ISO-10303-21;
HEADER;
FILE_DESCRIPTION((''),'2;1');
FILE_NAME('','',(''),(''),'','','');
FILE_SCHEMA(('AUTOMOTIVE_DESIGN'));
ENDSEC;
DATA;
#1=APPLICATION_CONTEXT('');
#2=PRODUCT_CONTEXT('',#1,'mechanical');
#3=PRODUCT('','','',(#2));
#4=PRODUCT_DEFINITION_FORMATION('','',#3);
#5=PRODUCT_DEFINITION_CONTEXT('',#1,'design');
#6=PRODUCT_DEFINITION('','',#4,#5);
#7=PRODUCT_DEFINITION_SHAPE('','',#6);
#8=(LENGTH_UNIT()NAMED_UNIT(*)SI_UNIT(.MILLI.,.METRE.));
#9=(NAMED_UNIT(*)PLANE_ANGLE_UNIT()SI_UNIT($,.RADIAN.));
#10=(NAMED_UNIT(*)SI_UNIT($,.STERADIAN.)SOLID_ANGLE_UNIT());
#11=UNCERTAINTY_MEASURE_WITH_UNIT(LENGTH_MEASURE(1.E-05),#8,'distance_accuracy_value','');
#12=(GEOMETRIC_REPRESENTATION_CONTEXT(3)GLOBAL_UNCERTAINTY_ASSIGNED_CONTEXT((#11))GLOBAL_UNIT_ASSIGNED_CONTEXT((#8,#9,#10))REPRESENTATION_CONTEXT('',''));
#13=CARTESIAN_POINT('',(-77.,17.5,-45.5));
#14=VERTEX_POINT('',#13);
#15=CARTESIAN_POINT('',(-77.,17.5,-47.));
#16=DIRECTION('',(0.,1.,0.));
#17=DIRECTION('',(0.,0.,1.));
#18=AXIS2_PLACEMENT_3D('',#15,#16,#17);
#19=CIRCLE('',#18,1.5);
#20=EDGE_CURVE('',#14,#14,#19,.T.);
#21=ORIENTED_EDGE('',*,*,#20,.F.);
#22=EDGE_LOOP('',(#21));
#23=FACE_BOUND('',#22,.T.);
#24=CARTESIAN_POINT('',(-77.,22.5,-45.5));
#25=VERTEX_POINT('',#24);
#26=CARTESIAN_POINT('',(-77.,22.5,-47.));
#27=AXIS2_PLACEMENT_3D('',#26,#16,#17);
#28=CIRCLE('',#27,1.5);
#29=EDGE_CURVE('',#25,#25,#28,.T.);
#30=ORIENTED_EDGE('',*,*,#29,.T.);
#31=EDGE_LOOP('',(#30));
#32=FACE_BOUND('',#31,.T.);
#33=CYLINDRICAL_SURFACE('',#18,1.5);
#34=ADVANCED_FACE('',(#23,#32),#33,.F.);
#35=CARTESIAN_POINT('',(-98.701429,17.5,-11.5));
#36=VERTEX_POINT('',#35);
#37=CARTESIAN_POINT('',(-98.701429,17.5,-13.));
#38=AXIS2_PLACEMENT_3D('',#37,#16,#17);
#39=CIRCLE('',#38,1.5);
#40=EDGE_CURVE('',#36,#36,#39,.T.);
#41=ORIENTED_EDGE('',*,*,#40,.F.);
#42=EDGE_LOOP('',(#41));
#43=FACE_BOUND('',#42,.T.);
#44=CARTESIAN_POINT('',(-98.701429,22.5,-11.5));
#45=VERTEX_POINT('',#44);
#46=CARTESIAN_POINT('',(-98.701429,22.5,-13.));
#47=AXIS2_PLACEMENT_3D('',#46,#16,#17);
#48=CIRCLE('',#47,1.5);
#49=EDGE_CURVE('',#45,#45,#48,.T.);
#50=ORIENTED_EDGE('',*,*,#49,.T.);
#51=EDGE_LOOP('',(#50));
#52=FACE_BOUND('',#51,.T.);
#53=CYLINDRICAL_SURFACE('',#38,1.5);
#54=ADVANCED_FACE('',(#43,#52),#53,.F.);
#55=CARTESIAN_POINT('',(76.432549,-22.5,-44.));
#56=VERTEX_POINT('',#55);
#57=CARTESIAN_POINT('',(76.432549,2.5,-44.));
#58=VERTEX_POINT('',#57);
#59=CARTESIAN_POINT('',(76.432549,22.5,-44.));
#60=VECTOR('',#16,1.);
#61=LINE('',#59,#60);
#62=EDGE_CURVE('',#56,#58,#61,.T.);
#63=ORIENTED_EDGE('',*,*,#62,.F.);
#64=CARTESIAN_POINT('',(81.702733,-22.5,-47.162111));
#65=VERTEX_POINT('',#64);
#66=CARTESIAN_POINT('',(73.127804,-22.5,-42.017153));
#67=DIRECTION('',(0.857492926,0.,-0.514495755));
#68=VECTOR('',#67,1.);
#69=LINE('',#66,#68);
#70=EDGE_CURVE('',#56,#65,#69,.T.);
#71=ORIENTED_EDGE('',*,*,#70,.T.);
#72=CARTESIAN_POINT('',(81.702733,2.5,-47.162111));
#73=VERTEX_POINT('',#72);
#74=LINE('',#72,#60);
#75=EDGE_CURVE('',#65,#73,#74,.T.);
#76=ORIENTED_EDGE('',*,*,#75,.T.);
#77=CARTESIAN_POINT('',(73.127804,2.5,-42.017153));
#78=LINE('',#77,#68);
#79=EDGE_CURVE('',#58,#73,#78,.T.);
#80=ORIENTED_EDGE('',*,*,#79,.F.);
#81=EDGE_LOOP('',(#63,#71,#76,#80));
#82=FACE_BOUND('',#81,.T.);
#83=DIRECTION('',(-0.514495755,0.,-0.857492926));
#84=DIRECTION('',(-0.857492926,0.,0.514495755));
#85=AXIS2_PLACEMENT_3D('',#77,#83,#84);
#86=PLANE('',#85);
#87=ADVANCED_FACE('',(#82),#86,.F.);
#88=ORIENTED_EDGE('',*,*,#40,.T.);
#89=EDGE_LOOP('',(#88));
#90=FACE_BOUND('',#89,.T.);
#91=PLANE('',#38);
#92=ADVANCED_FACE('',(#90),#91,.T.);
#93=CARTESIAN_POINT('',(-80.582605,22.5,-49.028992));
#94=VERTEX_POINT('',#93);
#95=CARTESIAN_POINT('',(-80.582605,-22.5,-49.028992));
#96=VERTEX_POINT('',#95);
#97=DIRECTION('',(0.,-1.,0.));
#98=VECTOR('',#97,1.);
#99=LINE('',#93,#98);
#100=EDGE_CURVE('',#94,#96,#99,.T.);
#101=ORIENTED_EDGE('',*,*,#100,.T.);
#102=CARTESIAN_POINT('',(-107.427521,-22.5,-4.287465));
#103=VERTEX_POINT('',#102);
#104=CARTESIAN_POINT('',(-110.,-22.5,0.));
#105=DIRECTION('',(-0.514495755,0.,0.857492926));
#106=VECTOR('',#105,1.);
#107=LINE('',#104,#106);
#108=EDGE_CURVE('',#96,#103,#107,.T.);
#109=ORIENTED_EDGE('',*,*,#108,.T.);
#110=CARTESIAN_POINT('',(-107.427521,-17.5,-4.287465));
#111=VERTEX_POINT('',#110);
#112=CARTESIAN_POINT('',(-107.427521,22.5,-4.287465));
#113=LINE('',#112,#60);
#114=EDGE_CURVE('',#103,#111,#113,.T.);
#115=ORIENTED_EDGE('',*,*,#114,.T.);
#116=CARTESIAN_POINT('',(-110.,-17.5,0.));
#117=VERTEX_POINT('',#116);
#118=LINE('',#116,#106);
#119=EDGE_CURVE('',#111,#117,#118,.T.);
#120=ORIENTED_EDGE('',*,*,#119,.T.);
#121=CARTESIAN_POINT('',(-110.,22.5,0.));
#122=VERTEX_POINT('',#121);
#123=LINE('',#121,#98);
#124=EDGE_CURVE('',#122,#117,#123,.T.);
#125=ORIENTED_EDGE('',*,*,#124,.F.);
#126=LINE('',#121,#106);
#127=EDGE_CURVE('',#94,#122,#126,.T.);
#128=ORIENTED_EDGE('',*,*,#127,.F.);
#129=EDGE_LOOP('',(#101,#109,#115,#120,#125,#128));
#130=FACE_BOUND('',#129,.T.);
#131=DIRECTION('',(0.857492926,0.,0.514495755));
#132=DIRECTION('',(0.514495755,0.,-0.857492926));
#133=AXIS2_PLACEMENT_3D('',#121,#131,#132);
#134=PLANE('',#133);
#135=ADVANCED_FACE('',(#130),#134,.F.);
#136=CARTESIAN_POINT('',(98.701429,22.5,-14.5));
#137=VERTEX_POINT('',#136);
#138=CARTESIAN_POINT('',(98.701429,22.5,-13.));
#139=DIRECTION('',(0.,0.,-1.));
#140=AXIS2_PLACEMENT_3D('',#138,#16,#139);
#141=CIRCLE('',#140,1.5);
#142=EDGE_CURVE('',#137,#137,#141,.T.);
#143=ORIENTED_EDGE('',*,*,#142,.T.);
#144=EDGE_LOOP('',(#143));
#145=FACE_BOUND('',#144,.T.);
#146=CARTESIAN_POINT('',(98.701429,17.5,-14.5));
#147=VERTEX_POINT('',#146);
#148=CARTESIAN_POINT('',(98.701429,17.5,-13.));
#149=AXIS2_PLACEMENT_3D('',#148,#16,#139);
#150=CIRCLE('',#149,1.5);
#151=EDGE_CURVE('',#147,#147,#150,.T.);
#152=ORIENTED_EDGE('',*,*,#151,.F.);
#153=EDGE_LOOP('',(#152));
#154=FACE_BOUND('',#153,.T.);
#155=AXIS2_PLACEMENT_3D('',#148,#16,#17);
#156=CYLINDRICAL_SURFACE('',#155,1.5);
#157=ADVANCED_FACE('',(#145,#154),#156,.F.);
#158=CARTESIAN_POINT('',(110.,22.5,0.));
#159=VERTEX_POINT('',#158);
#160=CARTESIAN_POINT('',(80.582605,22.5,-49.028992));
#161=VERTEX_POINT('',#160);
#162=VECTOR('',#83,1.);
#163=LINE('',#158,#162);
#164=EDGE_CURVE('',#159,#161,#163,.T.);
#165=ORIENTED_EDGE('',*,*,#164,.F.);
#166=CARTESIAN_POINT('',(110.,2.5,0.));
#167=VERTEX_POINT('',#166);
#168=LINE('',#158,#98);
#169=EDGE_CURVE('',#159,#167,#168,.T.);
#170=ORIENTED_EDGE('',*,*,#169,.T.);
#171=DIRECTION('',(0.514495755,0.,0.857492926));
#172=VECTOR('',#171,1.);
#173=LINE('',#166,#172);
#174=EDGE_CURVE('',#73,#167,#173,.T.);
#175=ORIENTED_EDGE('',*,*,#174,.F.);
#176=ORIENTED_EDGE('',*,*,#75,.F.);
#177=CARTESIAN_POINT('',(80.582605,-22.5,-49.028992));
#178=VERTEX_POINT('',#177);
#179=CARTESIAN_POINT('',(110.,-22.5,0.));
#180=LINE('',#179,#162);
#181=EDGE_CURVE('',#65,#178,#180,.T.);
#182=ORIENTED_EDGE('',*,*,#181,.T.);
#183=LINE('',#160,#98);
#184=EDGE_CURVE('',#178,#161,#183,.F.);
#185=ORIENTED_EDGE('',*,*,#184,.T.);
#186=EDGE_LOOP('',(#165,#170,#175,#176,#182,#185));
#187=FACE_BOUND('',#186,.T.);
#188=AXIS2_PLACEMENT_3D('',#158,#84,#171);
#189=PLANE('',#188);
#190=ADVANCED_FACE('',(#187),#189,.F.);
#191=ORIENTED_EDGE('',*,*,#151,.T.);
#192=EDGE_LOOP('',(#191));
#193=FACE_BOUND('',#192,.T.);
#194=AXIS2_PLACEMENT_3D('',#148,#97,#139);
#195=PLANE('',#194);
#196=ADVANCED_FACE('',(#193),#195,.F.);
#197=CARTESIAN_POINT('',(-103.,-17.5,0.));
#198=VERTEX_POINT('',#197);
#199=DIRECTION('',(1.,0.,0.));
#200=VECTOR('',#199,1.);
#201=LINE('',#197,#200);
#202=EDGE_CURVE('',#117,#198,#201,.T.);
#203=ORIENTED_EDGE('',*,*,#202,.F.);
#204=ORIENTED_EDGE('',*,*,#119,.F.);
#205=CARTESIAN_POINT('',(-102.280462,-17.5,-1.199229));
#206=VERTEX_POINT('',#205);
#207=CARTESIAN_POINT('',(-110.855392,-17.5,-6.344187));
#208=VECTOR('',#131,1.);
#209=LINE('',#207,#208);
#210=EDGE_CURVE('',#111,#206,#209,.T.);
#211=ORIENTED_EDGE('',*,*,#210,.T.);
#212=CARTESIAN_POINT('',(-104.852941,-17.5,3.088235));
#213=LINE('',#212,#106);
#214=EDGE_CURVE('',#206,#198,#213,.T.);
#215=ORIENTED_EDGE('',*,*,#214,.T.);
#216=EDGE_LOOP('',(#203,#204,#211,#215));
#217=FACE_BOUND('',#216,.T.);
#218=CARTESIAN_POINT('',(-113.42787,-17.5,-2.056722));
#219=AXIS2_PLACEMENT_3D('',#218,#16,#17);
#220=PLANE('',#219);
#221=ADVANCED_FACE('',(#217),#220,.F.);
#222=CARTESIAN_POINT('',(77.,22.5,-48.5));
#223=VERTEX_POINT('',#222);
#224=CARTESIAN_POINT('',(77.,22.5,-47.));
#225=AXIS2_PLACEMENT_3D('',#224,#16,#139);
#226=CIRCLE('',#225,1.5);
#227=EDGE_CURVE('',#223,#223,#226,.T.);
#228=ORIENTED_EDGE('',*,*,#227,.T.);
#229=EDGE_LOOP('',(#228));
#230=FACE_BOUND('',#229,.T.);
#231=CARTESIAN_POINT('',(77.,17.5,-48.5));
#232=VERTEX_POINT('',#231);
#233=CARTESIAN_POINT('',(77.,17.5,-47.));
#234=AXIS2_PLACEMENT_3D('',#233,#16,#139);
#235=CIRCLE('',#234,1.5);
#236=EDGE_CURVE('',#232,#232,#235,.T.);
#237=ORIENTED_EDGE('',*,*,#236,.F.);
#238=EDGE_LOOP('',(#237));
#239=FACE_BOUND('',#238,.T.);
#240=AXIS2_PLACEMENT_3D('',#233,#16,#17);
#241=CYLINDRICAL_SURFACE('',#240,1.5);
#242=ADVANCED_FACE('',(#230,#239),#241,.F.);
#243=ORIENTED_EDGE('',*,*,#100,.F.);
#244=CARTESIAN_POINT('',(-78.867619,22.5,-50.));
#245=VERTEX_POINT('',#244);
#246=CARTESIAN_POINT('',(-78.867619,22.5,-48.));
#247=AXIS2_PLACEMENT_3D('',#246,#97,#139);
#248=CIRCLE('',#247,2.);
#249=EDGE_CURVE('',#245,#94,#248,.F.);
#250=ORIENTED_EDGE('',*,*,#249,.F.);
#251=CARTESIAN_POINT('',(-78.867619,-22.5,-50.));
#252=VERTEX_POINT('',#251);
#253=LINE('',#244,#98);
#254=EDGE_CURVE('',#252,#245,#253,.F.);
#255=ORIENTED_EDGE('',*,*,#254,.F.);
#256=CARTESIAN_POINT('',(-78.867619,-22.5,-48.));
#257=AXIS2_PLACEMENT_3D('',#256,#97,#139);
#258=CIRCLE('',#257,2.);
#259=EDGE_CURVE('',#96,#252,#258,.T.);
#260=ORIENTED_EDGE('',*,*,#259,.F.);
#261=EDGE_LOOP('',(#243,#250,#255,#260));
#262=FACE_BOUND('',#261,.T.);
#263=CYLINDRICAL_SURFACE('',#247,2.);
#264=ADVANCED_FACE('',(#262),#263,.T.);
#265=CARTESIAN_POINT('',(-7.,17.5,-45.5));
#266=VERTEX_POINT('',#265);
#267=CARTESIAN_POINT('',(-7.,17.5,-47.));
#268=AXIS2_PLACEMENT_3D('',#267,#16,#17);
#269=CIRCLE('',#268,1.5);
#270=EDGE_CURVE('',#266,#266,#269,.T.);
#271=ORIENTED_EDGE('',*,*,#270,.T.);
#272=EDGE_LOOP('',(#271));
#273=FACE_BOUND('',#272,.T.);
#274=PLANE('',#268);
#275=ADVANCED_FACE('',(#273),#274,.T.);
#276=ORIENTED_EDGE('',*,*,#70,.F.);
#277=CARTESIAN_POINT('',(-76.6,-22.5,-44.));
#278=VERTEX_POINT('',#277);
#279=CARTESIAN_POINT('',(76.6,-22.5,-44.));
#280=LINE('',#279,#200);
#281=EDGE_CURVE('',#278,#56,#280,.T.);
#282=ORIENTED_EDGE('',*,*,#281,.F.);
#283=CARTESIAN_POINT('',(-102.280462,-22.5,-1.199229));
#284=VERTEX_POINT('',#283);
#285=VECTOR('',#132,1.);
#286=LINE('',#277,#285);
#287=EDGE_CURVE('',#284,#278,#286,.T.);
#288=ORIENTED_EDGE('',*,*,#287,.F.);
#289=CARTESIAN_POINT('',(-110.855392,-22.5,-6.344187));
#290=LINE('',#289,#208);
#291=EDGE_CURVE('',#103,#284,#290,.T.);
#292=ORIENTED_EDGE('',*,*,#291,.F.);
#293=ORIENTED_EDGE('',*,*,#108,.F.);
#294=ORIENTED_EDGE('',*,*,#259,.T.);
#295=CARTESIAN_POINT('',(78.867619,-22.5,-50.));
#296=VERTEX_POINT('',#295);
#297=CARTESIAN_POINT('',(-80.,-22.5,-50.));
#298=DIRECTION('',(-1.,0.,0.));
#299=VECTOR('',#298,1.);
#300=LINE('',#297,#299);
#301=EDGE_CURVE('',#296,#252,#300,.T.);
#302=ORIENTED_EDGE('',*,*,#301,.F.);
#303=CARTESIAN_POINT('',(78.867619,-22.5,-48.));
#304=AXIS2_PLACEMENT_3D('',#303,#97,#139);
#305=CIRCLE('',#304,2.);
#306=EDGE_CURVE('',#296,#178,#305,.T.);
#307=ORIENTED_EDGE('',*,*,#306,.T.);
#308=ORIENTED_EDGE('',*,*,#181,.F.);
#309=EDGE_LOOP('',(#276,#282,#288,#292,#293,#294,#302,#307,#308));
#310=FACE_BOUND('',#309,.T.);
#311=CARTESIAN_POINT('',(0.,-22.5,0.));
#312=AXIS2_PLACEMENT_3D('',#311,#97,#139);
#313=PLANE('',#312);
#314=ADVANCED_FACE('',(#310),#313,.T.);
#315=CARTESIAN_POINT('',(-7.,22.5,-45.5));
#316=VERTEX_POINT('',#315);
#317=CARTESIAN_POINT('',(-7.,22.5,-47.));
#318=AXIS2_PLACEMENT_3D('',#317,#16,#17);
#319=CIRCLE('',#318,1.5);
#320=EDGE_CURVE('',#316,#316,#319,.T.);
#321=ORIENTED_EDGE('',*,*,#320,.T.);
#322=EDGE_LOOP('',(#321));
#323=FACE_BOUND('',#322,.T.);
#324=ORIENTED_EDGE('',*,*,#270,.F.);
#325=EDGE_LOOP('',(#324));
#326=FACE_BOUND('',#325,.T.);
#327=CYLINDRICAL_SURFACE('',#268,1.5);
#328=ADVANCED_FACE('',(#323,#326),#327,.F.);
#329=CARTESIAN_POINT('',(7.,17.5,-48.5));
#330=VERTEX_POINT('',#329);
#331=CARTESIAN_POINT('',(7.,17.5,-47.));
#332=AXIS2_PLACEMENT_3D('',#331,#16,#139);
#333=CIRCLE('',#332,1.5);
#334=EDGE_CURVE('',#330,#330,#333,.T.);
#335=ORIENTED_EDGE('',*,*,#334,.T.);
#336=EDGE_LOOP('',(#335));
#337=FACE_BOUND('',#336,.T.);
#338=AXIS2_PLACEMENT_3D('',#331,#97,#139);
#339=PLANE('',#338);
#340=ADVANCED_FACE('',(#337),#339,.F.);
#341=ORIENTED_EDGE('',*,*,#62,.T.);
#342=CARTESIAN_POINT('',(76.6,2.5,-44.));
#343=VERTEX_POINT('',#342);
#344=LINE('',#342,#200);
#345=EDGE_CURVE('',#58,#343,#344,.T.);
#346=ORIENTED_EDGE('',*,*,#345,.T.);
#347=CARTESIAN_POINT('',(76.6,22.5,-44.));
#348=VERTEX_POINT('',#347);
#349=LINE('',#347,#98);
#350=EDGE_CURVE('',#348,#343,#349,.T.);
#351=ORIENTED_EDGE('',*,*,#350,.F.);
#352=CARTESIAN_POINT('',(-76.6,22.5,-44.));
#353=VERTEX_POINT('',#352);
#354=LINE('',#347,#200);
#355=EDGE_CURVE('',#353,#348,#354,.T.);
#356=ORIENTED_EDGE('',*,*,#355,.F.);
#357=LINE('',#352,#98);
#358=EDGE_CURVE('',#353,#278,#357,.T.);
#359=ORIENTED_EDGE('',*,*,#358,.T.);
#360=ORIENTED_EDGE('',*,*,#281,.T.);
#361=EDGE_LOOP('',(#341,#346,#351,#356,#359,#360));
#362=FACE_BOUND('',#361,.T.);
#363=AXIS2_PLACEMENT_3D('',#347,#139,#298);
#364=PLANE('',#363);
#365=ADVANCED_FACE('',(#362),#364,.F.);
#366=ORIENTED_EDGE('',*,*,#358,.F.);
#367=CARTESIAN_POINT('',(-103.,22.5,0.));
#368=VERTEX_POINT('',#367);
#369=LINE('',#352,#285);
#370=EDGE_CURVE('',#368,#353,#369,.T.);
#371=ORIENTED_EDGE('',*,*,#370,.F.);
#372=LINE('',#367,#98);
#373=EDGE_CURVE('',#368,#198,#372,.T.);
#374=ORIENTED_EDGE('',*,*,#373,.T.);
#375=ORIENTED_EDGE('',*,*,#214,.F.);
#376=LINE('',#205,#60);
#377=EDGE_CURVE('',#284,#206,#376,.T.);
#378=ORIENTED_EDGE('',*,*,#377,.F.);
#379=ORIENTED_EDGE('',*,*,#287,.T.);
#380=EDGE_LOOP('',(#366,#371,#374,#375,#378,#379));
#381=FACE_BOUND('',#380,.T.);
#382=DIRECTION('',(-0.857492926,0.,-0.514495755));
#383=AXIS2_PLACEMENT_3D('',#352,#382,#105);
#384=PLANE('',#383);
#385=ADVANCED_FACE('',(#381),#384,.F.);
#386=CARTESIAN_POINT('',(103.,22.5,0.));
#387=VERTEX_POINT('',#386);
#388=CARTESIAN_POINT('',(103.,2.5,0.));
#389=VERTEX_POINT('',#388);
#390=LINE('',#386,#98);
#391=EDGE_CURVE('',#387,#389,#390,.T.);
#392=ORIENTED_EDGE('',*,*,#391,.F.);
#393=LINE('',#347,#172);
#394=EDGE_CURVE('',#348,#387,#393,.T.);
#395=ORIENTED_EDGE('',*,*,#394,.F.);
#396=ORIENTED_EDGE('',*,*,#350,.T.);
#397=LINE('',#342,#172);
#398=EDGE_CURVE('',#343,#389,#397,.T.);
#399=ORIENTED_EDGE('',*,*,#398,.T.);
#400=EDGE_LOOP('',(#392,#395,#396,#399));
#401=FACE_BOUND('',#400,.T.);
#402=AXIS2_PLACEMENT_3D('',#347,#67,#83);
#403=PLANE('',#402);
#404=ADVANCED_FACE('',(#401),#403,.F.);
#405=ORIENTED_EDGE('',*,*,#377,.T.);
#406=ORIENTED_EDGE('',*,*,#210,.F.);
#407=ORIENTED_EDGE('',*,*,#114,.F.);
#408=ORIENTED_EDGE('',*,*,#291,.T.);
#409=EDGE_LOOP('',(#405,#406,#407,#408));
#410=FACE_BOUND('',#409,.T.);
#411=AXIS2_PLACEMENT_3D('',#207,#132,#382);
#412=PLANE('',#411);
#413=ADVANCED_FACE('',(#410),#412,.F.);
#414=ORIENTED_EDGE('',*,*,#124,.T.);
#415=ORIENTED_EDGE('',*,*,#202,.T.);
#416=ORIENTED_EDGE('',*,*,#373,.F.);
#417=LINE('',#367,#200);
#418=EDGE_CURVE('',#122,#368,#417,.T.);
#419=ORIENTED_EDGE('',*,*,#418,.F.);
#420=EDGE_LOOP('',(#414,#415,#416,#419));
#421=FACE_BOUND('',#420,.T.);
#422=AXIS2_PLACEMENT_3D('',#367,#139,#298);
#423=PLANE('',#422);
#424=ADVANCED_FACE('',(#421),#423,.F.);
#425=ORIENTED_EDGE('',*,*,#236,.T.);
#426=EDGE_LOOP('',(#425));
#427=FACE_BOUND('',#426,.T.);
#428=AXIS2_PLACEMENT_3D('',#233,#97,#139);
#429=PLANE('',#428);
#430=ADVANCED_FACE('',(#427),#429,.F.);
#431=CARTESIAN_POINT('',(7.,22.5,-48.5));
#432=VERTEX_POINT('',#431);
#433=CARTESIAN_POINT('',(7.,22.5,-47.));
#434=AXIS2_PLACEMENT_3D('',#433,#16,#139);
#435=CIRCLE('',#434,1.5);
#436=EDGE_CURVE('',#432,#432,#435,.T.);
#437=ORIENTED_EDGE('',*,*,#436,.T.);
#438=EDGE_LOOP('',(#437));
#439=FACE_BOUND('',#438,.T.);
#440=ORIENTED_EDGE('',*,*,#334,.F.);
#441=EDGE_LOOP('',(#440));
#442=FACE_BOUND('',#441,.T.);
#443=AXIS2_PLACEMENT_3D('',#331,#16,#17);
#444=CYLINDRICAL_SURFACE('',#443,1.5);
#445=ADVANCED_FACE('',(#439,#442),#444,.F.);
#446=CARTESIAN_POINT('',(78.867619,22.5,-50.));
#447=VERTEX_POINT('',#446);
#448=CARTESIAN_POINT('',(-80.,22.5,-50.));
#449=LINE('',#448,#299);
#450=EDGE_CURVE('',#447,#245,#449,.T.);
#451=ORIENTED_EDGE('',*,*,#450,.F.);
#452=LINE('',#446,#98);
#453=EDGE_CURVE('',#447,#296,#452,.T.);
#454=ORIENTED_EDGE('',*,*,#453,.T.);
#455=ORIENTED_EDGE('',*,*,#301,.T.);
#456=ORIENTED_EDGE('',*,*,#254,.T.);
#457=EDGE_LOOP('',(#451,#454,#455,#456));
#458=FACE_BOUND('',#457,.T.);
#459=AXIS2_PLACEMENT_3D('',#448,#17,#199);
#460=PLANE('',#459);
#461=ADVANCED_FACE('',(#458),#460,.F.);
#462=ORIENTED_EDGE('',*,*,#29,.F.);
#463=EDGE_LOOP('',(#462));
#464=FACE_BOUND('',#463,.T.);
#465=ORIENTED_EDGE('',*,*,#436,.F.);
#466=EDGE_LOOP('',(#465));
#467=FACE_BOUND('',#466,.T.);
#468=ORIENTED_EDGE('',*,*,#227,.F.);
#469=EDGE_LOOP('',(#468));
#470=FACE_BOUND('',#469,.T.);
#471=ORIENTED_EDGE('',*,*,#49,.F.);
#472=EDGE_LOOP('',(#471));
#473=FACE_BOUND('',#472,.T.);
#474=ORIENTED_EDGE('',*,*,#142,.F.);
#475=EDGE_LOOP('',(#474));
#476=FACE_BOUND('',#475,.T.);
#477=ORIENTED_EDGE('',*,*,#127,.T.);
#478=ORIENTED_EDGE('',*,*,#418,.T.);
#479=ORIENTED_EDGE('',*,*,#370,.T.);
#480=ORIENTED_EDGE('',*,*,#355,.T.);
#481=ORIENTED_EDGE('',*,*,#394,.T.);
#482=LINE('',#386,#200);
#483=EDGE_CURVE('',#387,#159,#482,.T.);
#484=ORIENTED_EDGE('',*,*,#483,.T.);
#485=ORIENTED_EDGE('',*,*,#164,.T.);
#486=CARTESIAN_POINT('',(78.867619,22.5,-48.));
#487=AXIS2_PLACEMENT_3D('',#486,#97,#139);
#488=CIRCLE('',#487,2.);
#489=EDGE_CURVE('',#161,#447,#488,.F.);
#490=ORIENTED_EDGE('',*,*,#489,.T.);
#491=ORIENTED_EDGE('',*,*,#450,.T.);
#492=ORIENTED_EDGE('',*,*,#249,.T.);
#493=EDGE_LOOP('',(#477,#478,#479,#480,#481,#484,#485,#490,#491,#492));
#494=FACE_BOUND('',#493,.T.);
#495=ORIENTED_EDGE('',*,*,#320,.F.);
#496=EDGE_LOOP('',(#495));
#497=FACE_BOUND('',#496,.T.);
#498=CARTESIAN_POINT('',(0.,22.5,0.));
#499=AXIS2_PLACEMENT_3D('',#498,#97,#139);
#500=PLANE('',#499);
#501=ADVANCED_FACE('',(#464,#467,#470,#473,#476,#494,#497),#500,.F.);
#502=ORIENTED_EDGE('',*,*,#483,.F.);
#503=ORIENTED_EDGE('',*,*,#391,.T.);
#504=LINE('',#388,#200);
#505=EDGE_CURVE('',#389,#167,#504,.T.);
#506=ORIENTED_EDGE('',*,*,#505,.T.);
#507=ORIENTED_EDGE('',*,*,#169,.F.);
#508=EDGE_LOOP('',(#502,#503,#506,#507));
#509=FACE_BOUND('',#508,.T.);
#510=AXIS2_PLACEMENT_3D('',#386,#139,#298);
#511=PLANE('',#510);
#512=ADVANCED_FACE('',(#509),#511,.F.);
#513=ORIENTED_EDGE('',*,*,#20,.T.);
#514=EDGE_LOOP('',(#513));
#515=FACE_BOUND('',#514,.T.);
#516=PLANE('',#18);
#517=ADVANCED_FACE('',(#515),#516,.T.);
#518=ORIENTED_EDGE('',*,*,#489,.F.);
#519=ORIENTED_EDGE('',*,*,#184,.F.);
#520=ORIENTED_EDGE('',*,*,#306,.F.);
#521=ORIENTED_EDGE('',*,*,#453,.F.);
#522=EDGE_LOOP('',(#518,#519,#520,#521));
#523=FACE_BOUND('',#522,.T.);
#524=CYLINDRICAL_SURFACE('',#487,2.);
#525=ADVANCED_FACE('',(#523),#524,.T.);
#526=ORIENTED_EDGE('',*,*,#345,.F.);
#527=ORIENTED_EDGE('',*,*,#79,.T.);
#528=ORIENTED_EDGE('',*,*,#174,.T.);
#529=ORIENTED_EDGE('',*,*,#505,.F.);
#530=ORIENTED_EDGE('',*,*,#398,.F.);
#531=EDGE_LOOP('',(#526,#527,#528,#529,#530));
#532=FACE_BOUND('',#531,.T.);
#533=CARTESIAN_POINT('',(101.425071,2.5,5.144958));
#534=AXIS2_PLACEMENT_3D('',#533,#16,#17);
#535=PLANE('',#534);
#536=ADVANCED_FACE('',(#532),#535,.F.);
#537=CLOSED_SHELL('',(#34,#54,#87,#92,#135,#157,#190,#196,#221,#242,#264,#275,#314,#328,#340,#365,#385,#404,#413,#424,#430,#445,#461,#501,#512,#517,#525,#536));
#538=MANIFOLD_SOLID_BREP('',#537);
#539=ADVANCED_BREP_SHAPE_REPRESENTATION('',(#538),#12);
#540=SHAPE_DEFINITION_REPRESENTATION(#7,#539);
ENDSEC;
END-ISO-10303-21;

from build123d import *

# Parameters (mm, degrees)
BOSS_EXTRUDE1_DEPTH = 22.5
SKETCH2_R           = 1.5
CUT_EXTRUDE1_DEPTH  = 5
FILLET1_R           = 2
SKETCH4_W           = 55
SKETCH4_H           = 25
CUT_EXTRUDE3_DEPTH  = 10
SKETCH5_W           = 5
SKETCH5_H           = 5
CUT_EXTRUDE4_DEPTH  = 10


with BuildPart() as part:
    # Sketch1 → Boss-Extrude1 (new, symmetric)
    with BuildSketch(Plane(origin=(0, 0, 0), x_dir=(1, 0, 0), z_dir=(0, 1, 0))):
        Polygon((-110, 0), (-80, 50), (80, 50), (110, 0), (103, 0), (76.6, 44), (-76.6, 44), (-103, 0), align=None)
    extrude(amount=BOSS_EXTRUDE1_DEPTH, both=True)

    # Sketch2 → Cut-Extrude1 (cut)
    with BuildSketch(Plane(origin=(0, 22.5, 0), x_dir=(1, 0, 0), z_dir=(0, 1, 0))):
        with Locations(Location((-98.701428863, 13, 0), (0, 0, 270))):
            Circle(SKETCH2_R)
        with Locations(Location((-77, 47, 0), (0, 0, 270))):
            Circle(SKETCH2_R)
        with Locations(Location((-7, 47, 0), (0, 0, 270))):
            Circle(SKETCH2_R)
        with Locations(Location((7, 47, 0), (0, 0, 90))):
            Circle(SKETCH2_R)
        with Locations(Location((77, 47, 0), (0, 0, 90))):
            Circle(SKETCH2_R)
        with Locations(Location((98.701428863, 13, 0), (0, 0, 90))):
            Circle(SKETCH2_R)
    extrude(amount=-CUT_EXTRUDE1_DEPTH, mode=Mode.SUBTRACT)

    # Fillet1
    fillet1_edges = [part.edges().sort_by_distance(p)[0] for p in [
        (-80, 0, -50),
        (80, 0, -50),
    ]]
    fillet(fillet1_edges, radius=FILLET1_R)

    # Sketch4 → Cut-Extrude3 (cut)
    with BuildSketch(Plane(origin=(80.882352941, 0, -48.529411765), x_dir=(-0.5144957554275265, 0, -0.8574929257125443), z_dir=(0.8574929257125443, 0, -0.5144957554275265))):
        with Locations((-29.094533097, -10)):
            Rectangle(SKETCH4_W, SKETCH4_H)
    extrude(amount=-CUT_EXTRUDE3_DEPTH, mode=Mode.SUBTRACT)

    # Sketch5 → Cut-Extrude4 (cut)
    with BuildSketch(Plane(origin=(-75.735294118, 0, -45.441176471), x_dir=(0.5144957554275261, 0, -0.8574929257125445), z_dir=(0.8574929257125444, 0, 0.514495755427526))):
        with Locations((-54.094533097, -20)):
            Rectangle(SKETCH5_W, SKETCH5_H)
    extrude(amount=-CUT_EXTRUDE4_DEPTH, mode=Mode.SUBTRACT)


solid = part.part
